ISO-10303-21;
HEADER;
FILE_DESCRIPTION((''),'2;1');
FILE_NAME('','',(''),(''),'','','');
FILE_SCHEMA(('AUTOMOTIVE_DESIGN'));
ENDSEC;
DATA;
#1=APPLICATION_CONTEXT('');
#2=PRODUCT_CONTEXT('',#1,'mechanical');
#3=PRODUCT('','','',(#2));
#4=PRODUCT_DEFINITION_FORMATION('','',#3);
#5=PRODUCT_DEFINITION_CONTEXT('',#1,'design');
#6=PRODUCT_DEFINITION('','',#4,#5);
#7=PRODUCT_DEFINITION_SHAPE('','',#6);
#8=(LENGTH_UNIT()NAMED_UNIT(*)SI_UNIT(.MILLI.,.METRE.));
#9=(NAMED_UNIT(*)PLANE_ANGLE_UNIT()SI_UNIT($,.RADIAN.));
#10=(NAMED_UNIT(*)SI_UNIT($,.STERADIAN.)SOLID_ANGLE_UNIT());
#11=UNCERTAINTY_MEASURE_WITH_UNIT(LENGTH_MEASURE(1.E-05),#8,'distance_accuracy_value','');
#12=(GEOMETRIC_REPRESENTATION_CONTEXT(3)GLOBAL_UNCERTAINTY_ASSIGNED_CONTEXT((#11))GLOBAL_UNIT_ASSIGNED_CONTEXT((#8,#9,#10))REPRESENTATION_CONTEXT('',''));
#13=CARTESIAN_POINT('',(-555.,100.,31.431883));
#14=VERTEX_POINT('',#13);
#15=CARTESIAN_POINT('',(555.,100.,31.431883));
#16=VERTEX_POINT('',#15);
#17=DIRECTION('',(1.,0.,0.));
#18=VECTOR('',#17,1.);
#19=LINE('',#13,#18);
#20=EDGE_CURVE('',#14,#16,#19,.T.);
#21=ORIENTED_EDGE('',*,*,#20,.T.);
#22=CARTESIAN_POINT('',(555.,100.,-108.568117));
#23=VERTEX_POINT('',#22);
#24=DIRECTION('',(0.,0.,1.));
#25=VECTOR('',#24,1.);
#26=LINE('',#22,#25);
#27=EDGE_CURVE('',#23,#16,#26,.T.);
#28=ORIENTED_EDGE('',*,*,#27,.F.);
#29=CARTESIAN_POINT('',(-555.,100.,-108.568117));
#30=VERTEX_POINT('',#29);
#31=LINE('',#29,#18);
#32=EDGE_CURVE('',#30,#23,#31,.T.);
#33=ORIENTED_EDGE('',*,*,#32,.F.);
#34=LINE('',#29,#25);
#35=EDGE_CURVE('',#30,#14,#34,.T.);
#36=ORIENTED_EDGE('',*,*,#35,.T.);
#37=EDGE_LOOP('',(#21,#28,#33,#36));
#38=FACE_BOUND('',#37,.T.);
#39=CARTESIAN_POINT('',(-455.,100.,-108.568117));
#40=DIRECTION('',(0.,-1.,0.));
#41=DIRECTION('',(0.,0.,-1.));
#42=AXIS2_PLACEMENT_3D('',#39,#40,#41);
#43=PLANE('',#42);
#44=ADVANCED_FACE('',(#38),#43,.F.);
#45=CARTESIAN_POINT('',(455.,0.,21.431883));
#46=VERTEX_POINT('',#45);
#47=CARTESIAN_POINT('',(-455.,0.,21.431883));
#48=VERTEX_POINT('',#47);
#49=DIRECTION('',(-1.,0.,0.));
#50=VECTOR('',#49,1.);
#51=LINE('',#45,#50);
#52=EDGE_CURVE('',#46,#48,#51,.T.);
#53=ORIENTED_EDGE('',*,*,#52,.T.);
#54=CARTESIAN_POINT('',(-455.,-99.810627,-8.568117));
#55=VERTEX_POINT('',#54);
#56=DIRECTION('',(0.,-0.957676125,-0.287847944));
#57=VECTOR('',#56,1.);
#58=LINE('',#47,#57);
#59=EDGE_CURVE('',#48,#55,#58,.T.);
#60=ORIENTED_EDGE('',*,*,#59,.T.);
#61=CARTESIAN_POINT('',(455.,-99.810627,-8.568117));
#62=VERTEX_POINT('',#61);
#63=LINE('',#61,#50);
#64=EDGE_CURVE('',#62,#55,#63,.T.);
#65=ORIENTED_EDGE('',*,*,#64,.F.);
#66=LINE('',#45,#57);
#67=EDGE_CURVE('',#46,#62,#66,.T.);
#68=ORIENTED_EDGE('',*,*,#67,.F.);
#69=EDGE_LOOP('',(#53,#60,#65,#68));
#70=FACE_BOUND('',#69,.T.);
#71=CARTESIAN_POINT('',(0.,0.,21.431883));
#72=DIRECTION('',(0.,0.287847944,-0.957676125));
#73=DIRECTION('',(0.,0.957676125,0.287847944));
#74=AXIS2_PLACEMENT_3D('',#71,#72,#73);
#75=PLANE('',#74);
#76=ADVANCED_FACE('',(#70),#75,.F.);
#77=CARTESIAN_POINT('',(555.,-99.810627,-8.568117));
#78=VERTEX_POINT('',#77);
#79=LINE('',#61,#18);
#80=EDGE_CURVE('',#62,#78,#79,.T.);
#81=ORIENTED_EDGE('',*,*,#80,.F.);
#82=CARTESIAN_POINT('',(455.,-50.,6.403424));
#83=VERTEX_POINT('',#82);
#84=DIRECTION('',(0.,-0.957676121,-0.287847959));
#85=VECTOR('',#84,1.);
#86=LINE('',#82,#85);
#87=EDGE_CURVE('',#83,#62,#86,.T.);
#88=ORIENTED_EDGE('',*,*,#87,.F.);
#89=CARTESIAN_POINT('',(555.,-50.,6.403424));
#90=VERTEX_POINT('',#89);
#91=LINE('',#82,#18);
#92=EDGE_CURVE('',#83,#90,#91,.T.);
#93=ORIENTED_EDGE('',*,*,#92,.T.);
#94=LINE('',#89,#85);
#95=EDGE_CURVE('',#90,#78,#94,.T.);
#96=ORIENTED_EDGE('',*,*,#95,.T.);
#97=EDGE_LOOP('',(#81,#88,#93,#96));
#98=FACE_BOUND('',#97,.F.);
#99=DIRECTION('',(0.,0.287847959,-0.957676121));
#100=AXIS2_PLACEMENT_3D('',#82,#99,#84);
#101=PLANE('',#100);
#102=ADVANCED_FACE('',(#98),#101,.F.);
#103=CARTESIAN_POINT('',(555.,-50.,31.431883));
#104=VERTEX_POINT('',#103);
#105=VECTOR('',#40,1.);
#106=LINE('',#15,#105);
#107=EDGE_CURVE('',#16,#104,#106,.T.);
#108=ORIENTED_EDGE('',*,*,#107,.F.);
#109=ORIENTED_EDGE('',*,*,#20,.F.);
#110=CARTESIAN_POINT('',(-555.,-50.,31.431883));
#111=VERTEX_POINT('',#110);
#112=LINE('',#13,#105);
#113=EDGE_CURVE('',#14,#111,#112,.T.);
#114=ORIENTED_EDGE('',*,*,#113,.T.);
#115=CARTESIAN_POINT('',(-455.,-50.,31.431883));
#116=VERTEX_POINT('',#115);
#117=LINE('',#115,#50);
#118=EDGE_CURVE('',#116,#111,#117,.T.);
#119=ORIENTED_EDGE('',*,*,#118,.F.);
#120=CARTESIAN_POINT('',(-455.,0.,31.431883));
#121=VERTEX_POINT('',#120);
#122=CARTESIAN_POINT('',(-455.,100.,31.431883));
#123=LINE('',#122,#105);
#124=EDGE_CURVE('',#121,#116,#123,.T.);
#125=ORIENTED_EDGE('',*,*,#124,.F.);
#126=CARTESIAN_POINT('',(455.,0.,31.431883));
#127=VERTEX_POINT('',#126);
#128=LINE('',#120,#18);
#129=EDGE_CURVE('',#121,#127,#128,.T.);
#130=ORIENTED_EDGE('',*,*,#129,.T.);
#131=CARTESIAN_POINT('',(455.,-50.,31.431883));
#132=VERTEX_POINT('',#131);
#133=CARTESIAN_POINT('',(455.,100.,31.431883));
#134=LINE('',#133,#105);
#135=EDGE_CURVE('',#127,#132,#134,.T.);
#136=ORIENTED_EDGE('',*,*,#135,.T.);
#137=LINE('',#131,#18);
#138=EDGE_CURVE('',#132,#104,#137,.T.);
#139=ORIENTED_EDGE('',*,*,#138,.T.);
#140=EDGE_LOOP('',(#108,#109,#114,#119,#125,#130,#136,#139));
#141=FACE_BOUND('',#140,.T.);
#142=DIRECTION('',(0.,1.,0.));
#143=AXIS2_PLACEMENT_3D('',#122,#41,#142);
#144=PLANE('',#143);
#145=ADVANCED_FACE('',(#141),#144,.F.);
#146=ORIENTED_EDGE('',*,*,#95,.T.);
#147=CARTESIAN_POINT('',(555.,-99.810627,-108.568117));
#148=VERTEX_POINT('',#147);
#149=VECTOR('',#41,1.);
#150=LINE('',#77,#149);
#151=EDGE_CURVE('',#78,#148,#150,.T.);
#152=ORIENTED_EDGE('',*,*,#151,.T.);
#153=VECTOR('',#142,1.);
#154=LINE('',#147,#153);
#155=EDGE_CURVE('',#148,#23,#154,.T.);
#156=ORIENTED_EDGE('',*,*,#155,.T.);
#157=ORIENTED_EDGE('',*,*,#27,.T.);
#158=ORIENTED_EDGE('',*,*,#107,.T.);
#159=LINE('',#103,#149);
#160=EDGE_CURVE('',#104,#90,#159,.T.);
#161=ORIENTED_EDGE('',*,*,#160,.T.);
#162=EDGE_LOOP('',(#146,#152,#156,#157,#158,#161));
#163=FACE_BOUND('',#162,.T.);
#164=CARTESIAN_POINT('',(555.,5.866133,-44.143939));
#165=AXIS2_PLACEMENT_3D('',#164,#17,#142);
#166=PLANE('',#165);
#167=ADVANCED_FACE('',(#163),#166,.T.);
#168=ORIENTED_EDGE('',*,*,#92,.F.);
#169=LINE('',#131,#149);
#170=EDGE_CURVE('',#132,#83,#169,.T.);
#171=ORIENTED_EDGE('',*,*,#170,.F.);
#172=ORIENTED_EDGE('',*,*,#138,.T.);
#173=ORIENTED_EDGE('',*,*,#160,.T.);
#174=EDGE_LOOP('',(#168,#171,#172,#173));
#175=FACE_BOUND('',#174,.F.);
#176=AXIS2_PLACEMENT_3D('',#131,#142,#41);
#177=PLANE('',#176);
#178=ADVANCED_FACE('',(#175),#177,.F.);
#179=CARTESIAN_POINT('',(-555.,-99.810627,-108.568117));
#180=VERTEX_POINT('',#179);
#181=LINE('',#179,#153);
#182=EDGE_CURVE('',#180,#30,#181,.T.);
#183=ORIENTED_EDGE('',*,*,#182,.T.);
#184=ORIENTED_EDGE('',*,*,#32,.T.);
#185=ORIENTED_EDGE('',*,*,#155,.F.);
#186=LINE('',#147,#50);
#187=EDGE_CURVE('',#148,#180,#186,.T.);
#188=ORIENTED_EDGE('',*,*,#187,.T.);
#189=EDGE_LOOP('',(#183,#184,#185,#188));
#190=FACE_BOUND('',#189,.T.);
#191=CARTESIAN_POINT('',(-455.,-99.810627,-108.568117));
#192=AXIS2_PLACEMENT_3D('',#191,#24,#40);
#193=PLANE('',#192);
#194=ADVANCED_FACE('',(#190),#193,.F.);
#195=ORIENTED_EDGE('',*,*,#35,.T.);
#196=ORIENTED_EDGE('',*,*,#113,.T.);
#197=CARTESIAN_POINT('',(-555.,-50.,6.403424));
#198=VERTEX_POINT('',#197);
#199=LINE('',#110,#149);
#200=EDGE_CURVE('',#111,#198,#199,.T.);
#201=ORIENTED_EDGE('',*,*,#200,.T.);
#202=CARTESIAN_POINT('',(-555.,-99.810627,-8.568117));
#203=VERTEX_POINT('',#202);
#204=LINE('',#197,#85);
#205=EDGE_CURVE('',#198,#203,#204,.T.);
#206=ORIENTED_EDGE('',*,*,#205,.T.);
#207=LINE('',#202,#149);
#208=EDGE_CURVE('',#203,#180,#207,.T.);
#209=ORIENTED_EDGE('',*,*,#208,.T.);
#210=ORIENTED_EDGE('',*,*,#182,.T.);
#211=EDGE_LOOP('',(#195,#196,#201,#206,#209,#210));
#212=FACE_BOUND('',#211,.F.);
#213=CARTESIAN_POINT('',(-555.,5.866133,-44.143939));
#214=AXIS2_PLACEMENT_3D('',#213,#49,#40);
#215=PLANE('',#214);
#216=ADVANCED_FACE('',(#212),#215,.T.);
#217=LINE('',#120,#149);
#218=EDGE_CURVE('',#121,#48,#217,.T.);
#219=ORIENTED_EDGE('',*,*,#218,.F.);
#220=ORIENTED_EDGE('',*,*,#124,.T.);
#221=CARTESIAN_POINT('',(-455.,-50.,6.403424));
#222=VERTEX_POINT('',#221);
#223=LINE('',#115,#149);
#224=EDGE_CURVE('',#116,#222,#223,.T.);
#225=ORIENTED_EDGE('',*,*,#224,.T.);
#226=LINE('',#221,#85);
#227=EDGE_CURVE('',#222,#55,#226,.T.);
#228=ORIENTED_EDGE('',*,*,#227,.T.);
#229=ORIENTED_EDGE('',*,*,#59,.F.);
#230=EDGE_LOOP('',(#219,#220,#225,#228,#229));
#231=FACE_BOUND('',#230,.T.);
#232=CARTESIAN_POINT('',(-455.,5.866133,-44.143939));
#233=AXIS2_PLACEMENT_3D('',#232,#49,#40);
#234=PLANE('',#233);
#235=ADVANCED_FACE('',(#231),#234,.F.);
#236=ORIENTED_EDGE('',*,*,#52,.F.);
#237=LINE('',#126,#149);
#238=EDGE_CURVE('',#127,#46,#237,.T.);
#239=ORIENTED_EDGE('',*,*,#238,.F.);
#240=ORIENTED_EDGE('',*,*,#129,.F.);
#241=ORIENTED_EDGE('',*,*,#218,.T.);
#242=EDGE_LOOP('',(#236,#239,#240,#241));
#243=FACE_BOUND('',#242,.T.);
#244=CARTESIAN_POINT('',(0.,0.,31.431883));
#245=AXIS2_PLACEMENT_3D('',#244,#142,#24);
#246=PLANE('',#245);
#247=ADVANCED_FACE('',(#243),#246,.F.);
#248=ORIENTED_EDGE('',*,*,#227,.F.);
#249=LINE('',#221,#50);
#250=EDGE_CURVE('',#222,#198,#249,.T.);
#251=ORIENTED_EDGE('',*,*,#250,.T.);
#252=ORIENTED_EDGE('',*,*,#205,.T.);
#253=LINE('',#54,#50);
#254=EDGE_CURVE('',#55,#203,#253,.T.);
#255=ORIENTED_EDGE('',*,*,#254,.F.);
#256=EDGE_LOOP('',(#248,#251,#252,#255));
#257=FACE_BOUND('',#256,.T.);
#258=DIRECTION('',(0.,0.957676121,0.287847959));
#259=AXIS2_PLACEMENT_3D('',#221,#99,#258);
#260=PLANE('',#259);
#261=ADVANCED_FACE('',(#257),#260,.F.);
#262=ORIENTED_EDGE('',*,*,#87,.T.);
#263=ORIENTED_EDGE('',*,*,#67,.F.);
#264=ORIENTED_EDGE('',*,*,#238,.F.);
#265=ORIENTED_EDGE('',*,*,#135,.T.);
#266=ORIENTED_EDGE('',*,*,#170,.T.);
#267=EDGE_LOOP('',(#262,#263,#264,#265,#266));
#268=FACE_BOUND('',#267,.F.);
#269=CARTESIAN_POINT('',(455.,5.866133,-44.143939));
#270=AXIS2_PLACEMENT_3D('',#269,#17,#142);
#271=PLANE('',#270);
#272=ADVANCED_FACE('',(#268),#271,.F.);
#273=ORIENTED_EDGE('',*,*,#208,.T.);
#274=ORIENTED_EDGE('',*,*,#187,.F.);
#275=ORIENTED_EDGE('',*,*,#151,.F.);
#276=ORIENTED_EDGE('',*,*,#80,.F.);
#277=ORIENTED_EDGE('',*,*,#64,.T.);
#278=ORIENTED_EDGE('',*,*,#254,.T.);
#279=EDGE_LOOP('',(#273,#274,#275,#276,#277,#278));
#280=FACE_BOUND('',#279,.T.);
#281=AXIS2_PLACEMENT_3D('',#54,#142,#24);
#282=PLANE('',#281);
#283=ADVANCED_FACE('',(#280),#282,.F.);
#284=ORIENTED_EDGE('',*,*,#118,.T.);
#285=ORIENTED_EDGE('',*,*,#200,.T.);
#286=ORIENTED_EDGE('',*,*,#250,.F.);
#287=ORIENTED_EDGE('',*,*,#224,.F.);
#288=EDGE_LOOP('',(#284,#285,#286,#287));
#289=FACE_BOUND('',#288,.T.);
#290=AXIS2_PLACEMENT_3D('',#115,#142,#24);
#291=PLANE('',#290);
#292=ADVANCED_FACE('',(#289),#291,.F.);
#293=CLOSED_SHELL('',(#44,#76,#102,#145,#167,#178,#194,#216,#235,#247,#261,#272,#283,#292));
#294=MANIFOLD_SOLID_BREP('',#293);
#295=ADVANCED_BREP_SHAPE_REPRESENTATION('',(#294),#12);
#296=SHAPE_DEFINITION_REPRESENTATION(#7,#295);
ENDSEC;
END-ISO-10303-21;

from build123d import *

# Parameters (mm, degrees)
F1_DEPTH = 455
F3_DEPTH = 100


with BuildPart() as f1:
    # F0 (on Right) → F1 (new body)
    with BuildSketch(Plane.YZ):
        Polygon((100, 31.431883), (0, 31.431883), (0, 21.431883), (-99.810627, -8.568117), (-99.810627, -108.568117), (100, -108.568117), align=None)
    extrude(amount=F1_DEPTH)

    # F2 (on face) → F3 (join)
    with BuildSketch(Plane.YZ.offset(455)):
        Polygon((-99.810627, -108.568117), (100, -108.568117), (100, 31.431883), (0, 31.431883), (0, 21.431883), (-50, 6.403424), (-99.810627, -8.568117), align=None)
        Polygon((0, 21.431883), (0, 31.431883), (-50, 31.431883), (-50, 6.403424), align=None)
    extrude(amount=F3_DEPTH)

    # F4: F1 across face


with BuildPart() as f1_1:
    add(f1.part)
    add(f1.part.mirror(Plane(origin=(0, 5.969064, -44.0526), x_dir=(0, 1, 0), z_dir=(-1, 0, 0))))


solid = f1_1.part
